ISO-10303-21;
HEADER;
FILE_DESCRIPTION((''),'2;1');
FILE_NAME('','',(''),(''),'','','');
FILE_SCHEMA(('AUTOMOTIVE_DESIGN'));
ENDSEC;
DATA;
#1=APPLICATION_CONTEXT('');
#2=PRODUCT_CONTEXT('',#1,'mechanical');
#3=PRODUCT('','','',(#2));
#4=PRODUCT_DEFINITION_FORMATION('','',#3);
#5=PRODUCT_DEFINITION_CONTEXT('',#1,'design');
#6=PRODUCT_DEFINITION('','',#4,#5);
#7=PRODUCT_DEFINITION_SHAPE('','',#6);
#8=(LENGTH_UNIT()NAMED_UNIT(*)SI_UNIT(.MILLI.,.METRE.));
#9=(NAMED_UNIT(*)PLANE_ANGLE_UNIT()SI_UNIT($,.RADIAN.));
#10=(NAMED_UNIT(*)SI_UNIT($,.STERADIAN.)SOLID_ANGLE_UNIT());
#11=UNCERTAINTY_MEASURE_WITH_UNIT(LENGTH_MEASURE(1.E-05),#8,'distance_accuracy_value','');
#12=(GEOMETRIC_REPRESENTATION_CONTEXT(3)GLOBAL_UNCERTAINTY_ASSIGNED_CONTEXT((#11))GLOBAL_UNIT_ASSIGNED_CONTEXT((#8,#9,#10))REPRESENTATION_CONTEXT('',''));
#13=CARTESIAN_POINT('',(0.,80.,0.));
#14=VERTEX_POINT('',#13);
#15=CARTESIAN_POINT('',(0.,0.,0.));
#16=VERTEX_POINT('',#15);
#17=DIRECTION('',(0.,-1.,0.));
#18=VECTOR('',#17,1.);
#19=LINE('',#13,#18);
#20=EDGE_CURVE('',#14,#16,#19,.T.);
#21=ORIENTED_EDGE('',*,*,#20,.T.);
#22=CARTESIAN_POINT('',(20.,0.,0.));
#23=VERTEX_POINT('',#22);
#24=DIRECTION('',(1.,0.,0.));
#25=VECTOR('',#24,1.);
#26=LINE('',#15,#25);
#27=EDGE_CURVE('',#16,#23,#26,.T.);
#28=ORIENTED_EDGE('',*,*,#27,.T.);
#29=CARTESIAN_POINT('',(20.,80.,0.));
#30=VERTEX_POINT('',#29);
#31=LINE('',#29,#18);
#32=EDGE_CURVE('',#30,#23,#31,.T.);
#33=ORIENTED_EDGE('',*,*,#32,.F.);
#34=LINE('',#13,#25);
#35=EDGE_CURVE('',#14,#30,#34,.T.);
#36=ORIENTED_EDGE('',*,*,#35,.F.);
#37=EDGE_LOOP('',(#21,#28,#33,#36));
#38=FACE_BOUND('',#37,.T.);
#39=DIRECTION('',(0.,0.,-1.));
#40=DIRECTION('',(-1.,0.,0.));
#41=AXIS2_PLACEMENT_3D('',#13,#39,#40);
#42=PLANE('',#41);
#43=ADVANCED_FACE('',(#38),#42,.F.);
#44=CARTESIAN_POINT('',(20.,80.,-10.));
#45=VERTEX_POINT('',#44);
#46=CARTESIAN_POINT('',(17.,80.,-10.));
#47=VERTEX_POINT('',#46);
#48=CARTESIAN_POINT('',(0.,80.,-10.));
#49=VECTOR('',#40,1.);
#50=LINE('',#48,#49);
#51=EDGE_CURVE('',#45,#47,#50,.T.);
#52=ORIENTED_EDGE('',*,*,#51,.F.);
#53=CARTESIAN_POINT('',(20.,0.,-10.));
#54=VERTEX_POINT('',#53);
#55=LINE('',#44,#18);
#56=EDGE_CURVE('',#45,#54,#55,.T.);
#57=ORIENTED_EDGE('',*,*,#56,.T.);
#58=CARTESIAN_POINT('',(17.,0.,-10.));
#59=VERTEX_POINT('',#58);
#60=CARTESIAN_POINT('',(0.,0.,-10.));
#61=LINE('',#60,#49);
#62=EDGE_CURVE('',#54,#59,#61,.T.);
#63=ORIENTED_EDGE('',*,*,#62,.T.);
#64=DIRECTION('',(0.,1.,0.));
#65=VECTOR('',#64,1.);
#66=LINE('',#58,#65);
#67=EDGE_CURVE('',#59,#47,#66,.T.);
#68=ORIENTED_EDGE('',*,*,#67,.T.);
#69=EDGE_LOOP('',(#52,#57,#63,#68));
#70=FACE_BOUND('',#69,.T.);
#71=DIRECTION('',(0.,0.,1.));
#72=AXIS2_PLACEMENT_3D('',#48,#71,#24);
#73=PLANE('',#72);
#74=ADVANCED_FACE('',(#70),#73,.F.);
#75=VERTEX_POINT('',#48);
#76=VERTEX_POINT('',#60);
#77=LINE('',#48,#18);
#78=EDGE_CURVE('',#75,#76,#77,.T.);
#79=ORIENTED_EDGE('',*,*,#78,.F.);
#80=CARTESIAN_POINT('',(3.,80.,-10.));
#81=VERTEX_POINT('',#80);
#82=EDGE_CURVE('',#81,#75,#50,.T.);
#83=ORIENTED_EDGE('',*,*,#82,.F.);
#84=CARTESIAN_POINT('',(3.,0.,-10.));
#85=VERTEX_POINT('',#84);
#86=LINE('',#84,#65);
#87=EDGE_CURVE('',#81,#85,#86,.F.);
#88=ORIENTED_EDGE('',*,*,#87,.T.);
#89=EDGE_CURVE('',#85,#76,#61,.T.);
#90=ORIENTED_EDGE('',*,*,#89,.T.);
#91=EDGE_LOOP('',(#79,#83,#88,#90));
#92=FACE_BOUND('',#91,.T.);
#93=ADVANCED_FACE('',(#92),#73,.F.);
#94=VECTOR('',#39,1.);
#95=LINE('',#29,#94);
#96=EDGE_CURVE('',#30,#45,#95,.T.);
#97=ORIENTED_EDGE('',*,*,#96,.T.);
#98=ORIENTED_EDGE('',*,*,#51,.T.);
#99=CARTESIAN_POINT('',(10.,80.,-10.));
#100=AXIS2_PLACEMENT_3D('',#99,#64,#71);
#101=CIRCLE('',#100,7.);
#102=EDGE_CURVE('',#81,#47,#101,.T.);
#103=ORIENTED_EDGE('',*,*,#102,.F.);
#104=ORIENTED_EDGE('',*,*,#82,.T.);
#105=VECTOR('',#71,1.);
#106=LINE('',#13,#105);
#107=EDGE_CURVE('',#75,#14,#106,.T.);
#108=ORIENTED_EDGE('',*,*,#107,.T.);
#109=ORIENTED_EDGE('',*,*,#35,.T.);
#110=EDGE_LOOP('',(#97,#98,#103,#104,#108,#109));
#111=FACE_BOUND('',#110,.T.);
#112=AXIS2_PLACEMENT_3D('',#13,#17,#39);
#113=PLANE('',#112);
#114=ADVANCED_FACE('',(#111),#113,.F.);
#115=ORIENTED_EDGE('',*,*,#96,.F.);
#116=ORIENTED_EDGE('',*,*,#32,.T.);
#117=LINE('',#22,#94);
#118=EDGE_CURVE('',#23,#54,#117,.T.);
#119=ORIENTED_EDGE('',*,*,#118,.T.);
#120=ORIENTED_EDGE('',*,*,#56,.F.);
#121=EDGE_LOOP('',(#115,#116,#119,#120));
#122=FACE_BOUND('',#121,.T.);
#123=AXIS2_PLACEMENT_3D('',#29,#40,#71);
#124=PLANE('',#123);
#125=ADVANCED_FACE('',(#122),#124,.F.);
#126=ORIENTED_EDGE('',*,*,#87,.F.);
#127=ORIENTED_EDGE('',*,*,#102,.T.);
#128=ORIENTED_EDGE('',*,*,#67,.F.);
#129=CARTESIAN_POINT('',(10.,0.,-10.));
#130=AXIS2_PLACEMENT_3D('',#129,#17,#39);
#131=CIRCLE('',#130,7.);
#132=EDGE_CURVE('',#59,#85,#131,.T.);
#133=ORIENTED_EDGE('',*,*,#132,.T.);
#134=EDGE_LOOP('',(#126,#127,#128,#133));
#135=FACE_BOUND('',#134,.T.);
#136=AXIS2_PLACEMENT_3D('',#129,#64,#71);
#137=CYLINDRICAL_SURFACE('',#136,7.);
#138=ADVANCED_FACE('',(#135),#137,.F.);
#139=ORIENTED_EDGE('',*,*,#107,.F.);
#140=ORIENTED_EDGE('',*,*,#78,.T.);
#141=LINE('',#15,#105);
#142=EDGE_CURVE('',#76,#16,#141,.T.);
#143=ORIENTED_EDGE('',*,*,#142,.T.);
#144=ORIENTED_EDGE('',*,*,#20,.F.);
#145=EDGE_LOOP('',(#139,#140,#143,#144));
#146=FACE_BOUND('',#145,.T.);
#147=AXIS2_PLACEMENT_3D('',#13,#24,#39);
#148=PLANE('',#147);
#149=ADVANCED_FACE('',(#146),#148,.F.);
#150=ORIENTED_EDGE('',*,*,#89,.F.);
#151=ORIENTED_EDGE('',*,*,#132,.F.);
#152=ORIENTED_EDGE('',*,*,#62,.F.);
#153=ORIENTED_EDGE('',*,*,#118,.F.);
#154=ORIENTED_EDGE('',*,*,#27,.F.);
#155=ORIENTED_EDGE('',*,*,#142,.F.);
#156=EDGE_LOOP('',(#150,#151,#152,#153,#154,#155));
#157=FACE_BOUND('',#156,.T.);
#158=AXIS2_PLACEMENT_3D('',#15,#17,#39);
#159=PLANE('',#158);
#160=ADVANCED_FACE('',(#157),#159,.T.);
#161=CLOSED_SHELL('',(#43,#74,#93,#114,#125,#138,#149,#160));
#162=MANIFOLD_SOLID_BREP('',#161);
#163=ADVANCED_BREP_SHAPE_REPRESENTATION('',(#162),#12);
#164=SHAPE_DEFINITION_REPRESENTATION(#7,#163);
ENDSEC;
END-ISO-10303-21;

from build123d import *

# Parameters (mm, degrees)
SCHIZZO1_W                   = 20
SCHIZZO1_H                   = 10
ESTRUSIONE_ESTRUSIONE1_DEPTH = 80
SCHIZZO3_R                   = 7
TAGLIO_ESTRUSIONE1_DEPTH     = 84.066238629


with BuildPart() as part:
    # Schizzo1 → Estrusione-Estrusione1 (new body)
    with BuildSketch(Plane(origin=(0, 0, 0), x_dir=(1, 0, 0), z_dir=(0, 1, 0))):
        with Locations((10, 5)):
            Rectangle(SCHIZZO1_W, SCHIZZO1_H)
    extrude(amount=ESTRUSIONE_ESTRUSIONE1_DEPTH)

    # Schizzo3 → Taglio-Estrusione1 (cut, through all)
    with BuildSketch(Plane(origin=(0, 80, 0), x_dir=(1, 0, 0), z_dir=(0, 1, 0))):
        with Locations((10, 10)):
            Circle(SCHIZZO3_R)
    extrude(amount=-TAGLIO_ESTRUSIONE1_DEPTH, mode=Mode.SUBTRACT)


solid = part.part
